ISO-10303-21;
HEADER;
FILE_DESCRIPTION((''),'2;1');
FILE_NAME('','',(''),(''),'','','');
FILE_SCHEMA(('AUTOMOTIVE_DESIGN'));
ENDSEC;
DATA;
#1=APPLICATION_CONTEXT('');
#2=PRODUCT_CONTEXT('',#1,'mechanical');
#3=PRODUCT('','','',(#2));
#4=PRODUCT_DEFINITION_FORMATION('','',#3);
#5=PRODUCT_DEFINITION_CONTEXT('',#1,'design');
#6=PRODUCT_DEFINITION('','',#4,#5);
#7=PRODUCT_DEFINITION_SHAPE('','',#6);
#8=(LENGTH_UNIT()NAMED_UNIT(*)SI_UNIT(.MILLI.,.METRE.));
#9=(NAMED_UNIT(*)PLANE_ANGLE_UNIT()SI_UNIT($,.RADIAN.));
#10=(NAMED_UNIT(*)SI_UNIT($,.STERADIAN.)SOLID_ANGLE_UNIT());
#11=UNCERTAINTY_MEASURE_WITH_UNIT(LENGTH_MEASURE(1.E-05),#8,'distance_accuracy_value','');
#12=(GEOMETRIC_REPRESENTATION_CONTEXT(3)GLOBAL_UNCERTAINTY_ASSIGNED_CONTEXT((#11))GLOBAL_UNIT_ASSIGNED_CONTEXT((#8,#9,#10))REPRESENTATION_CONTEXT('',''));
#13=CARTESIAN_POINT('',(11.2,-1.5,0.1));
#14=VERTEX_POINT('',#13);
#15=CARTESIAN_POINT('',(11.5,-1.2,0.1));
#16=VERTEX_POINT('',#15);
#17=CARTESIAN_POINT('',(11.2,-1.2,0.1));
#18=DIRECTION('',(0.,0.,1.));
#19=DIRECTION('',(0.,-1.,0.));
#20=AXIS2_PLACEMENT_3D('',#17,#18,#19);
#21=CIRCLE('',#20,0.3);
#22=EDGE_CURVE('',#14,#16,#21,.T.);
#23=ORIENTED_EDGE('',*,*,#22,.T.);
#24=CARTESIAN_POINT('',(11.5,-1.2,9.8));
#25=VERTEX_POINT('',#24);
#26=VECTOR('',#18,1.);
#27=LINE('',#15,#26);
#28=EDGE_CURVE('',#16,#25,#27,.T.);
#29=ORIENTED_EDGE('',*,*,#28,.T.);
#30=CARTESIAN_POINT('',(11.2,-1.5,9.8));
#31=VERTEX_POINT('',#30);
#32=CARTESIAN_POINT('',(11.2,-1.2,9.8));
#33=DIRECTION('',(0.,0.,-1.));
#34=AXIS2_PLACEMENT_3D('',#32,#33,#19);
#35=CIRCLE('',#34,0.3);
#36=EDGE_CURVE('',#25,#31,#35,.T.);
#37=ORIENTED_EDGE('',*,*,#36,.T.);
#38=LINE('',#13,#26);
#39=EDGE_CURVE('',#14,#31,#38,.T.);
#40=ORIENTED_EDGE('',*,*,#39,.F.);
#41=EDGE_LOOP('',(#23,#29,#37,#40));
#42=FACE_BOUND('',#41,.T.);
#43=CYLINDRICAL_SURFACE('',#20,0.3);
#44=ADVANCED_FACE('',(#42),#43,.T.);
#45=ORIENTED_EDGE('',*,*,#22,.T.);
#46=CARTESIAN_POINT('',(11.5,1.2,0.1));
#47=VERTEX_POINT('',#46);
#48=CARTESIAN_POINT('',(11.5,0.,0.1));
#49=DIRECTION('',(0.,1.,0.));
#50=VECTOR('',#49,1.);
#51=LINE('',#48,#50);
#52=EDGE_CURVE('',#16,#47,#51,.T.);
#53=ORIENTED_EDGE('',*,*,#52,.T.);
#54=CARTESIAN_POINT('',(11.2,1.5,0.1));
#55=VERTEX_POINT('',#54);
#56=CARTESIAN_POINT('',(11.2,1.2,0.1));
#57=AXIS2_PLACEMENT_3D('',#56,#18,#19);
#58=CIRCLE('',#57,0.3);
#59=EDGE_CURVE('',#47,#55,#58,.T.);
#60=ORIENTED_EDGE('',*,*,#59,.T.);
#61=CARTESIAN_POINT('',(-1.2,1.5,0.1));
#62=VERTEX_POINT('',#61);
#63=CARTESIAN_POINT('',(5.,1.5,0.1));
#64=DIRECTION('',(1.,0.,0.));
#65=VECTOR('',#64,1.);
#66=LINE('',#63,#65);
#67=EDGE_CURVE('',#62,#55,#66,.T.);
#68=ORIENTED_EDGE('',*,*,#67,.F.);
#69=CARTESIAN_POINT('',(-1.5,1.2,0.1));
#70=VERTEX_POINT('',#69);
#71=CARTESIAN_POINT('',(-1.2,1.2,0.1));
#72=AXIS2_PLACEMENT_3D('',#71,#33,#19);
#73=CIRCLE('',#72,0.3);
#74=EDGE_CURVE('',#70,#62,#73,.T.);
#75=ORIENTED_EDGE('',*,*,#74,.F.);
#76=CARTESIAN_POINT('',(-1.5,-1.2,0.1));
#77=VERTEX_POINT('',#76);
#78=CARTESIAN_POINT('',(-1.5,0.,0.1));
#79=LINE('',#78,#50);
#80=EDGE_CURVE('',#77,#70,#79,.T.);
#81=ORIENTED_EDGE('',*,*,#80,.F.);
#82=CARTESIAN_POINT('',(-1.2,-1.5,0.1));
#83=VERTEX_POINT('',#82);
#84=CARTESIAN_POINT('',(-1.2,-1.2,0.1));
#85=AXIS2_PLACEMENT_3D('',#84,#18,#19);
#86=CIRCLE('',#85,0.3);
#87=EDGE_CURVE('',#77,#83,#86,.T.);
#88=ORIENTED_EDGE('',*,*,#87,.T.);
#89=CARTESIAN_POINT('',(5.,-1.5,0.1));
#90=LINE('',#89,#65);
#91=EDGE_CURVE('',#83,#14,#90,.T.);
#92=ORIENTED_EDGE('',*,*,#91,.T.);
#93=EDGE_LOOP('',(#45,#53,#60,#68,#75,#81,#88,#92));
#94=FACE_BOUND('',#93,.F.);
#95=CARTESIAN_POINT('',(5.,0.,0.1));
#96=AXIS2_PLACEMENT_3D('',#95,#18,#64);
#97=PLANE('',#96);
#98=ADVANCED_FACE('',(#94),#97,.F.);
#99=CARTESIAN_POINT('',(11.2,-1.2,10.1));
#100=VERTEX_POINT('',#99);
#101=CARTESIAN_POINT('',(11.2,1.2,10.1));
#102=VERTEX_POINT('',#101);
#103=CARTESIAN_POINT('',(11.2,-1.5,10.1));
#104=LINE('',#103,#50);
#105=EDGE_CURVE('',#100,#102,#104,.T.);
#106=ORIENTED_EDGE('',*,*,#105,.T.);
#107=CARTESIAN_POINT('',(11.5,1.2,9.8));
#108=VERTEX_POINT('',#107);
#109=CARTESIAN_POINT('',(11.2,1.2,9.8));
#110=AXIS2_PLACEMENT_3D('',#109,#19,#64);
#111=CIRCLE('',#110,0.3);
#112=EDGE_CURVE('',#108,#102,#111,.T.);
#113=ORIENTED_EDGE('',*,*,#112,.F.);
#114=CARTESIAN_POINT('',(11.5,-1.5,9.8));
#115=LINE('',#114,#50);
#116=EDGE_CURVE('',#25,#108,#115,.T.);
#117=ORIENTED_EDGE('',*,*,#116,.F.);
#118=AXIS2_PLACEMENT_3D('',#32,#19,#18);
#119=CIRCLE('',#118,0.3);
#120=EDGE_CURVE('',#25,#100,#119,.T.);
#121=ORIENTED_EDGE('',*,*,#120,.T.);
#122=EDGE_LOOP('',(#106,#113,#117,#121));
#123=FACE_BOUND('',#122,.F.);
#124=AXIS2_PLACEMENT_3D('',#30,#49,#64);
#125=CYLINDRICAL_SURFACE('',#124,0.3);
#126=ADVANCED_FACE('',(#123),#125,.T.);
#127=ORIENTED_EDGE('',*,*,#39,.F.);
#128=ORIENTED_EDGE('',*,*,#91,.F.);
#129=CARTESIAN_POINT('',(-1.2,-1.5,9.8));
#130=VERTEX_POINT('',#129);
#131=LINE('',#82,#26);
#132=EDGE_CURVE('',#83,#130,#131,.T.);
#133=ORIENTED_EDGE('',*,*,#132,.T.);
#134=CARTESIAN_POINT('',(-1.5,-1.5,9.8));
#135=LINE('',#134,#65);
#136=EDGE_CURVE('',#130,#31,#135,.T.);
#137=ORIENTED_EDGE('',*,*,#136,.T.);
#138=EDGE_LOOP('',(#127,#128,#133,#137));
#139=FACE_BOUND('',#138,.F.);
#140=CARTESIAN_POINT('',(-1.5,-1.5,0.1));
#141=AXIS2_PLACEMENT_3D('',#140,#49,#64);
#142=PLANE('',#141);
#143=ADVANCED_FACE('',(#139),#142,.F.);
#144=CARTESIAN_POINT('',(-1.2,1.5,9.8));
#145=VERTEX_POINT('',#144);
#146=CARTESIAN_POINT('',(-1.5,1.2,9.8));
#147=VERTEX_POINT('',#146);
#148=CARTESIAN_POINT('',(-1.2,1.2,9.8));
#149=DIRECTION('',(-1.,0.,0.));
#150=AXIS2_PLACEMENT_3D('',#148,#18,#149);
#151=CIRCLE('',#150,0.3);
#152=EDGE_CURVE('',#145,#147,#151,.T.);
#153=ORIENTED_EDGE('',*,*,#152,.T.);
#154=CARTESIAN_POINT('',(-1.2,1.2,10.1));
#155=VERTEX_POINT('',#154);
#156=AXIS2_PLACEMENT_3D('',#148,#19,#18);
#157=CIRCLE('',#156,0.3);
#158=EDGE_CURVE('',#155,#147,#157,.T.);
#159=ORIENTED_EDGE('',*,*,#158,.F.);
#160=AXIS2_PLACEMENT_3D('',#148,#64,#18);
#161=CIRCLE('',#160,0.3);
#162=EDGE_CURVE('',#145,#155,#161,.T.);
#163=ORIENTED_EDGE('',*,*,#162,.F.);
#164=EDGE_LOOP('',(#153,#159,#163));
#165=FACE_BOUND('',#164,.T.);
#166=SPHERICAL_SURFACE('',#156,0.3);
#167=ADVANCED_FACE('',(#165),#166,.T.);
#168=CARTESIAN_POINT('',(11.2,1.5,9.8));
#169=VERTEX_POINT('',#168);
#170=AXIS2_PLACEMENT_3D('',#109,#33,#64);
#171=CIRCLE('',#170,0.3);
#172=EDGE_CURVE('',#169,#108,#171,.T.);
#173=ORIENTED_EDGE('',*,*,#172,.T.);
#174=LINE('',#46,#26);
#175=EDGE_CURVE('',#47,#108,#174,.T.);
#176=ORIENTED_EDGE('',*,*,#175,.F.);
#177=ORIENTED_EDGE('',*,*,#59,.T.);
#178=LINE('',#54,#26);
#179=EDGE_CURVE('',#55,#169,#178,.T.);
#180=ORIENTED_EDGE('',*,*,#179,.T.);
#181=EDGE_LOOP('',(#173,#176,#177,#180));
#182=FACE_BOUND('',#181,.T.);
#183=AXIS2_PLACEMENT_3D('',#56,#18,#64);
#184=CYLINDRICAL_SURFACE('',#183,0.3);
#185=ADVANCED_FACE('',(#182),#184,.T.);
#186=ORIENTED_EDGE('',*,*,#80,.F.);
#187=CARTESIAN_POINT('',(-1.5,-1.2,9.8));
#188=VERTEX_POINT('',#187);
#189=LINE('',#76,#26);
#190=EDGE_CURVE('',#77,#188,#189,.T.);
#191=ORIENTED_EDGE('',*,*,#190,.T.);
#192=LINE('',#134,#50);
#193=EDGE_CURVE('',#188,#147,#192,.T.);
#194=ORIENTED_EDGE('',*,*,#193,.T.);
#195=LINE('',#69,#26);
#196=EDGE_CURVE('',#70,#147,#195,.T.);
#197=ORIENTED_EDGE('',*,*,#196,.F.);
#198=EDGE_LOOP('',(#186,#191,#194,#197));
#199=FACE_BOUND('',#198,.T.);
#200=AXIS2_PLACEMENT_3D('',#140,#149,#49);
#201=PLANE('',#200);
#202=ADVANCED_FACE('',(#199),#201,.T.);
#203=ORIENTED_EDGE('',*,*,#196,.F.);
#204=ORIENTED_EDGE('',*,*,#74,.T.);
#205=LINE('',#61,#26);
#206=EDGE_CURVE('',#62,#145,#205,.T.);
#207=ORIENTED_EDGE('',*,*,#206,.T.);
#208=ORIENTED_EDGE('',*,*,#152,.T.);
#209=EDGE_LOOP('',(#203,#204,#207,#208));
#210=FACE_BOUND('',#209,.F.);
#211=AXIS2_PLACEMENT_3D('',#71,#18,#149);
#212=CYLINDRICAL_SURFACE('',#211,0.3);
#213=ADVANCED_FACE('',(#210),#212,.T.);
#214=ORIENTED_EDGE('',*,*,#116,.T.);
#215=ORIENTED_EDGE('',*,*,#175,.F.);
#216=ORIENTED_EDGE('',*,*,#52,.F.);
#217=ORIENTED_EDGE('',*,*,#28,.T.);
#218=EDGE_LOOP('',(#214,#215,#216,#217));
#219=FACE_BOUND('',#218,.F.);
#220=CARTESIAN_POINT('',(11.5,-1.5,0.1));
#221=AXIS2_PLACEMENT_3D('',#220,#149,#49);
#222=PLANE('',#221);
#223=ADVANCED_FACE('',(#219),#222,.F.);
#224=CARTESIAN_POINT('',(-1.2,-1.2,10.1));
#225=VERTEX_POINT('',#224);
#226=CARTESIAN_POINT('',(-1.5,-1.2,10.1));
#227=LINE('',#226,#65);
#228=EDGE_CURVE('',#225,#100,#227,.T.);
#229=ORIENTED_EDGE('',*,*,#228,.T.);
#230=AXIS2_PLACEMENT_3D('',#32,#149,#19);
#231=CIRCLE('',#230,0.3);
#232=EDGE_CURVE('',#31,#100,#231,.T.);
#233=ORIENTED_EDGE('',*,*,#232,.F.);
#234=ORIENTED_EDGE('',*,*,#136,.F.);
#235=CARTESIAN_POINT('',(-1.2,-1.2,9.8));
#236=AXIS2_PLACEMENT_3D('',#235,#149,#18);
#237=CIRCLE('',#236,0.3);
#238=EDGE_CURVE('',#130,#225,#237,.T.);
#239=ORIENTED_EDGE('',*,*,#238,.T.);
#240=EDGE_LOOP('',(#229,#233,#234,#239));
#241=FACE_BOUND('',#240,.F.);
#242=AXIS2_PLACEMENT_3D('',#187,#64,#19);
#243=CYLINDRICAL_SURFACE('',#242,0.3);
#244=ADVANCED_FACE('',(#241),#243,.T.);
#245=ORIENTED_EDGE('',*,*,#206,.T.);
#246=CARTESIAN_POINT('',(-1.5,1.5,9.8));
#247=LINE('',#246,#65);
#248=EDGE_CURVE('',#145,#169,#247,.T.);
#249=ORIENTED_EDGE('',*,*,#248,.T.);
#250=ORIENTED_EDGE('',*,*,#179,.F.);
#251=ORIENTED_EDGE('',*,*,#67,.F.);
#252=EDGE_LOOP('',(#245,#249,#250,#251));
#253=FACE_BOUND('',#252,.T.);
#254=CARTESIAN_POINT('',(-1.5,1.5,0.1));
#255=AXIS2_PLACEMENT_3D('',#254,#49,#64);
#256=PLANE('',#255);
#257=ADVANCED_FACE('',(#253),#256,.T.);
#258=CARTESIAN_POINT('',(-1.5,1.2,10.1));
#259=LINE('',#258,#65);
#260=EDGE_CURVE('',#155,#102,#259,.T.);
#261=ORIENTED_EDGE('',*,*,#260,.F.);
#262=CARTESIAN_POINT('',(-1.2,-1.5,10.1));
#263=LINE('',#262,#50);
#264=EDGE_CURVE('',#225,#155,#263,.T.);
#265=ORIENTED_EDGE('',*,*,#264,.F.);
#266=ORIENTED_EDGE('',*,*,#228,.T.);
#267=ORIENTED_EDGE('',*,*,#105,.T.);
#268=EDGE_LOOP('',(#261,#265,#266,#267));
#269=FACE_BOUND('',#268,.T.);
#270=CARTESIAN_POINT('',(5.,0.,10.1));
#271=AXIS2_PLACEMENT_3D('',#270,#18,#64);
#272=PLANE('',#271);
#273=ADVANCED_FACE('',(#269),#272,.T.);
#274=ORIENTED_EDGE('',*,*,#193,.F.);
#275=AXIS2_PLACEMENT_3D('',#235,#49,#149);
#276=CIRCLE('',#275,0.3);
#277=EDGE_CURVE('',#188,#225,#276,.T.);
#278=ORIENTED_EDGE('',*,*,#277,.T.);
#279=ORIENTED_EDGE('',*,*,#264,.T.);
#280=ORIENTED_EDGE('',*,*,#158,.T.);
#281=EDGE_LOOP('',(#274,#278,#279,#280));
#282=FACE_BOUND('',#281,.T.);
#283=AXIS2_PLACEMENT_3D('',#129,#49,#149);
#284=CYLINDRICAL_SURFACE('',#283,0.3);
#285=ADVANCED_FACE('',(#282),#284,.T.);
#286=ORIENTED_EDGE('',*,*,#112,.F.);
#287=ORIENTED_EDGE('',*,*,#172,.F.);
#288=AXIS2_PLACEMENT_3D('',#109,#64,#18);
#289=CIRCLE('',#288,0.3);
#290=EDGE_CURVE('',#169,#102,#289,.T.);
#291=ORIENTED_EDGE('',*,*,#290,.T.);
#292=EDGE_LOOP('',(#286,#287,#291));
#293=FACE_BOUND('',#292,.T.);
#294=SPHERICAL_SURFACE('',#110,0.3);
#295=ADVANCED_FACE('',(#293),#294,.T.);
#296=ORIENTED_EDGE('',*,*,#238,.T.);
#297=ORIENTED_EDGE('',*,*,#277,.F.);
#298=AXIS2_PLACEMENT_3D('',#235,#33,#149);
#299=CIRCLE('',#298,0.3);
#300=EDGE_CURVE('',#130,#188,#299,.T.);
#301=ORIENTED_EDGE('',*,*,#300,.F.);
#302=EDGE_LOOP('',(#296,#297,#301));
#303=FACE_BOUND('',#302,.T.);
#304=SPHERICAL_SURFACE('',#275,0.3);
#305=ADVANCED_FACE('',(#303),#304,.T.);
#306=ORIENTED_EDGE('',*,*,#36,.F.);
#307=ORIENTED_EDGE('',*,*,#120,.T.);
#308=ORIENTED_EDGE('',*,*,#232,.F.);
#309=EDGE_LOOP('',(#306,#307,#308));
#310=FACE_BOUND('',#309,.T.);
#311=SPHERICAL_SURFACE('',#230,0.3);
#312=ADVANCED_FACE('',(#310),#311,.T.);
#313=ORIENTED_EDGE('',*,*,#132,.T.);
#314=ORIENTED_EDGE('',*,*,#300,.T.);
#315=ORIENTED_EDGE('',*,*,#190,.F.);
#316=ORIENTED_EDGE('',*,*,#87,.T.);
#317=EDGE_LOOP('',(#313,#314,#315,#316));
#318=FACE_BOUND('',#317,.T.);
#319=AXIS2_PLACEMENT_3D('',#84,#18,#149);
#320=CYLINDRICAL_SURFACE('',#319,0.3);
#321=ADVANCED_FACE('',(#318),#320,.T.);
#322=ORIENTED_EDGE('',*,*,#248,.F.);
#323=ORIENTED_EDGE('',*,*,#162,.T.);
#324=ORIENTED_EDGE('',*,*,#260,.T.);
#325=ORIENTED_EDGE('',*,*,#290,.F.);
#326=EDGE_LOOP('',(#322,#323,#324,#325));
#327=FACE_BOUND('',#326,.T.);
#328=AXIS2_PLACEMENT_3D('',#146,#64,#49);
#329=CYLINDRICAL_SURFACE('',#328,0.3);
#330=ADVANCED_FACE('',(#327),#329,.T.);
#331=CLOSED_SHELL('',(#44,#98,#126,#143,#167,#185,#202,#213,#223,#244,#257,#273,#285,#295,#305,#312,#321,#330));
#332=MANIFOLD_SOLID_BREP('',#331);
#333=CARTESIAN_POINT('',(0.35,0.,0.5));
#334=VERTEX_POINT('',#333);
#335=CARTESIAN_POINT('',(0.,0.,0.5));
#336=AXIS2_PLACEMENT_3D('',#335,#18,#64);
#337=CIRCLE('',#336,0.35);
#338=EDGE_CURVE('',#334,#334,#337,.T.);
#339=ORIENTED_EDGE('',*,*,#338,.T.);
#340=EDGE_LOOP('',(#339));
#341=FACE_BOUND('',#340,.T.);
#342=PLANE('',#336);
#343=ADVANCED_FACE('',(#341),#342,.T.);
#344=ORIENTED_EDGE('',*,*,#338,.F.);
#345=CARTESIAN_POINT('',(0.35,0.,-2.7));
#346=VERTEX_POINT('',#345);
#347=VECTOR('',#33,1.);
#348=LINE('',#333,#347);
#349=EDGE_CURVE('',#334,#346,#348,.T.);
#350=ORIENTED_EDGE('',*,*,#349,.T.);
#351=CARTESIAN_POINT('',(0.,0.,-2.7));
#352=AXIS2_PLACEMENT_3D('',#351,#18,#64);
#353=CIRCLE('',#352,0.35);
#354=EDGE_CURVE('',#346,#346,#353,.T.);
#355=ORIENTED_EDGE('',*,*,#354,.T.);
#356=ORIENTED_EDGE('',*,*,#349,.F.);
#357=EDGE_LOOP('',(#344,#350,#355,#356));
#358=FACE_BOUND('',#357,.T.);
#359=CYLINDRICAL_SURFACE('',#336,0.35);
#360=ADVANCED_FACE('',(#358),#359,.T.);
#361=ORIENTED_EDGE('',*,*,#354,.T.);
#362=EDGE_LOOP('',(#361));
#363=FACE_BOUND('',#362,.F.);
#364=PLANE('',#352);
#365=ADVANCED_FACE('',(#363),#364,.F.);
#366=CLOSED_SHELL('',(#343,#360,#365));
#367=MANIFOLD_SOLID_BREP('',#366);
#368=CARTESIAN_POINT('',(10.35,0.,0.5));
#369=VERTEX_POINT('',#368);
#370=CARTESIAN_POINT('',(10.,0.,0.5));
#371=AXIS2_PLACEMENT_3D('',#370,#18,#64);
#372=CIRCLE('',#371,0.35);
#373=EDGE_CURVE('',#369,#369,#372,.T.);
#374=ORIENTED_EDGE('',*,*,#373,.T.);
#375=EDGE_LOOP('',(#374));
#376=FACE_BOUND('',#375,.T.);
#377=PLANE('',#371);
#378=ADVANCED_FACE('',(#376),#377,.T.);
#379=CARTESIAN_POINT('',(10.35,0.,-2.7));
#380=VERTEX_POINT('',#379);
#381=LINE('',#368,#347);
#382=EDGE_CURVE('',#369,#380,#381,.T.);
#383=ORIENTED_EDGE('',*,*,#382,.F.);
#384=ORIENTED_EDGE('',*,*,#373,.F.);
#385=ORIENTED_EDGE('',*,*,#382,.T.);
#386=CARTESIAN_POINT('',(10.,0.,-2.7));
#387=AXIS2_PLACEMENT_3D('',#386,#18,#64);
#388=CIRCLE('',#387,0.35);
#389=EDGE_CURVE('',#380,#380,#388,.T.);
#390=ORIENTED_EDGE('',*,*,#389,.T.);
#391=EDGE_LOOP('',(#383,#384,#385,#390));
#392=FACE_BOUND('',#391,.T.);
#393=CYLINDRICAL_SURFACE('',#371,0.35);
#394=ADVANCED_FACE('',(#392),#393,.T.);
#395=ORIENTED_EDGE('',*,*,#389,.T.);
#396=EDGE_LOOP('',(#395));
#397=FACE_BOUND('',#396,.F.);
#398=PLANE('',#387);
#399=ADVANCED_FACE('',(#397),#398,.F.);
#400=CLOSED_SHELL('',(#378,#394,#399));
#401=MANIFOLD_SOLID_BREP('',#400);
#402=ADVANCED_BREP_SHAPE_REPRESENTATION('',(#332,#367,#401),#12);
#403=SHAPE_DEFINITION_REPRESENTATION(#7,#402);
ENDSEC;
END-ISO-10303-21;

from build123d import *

# Parameters (mm, degrees)
SKETCH_W     = 13
SKETCH_H     = 3
PAD_DEPTH    = 10
FILLET_R     = 0.3
SKETCH001_R  = 0.35
PAD001_DEPTH = 3.2


with BuildPart() as fillet_body:
    # Sketch → Pad (new body)
    with BuildSketch(Plane.XY.offset(0.1)):
        with Locations((5, 0)):
            Rectangle(SKETCH_W, SKETCH_H)
    extrude(amount=PAD_DEPTH)

    # Fillet
    fillet_edges = [fillet_body.edges().sort_by_distance(p)[0] for p in [
        (-1.5, 0, 10.1),
        (-1.5, -1.5, 5.1),
        (5, -1.5, 10.1),
        (11.5, -1.5, 5.1),
        (11.5, 0, 10.1),
        (11.5, 1.5, 5.1),
        (5, 1.5, 10.1),
        (-1.5, 1.5, 5.1),
    ]]
    fillet(fillet_edges, radius=FILLET_R)


with BuildPart() as pad001:
    # Sketch001 → Pad001 (new body)
    with BuildSketch(Plane.XY.offset(0.5)):
        Circle(SKETCH001_R)
        with Locations((10, 0)):
            Circle(SKETCH001_R)
    extrude(amount=-PAD001_DEPTH)


solid = Compound([fillet_body.part, pad001.part])
